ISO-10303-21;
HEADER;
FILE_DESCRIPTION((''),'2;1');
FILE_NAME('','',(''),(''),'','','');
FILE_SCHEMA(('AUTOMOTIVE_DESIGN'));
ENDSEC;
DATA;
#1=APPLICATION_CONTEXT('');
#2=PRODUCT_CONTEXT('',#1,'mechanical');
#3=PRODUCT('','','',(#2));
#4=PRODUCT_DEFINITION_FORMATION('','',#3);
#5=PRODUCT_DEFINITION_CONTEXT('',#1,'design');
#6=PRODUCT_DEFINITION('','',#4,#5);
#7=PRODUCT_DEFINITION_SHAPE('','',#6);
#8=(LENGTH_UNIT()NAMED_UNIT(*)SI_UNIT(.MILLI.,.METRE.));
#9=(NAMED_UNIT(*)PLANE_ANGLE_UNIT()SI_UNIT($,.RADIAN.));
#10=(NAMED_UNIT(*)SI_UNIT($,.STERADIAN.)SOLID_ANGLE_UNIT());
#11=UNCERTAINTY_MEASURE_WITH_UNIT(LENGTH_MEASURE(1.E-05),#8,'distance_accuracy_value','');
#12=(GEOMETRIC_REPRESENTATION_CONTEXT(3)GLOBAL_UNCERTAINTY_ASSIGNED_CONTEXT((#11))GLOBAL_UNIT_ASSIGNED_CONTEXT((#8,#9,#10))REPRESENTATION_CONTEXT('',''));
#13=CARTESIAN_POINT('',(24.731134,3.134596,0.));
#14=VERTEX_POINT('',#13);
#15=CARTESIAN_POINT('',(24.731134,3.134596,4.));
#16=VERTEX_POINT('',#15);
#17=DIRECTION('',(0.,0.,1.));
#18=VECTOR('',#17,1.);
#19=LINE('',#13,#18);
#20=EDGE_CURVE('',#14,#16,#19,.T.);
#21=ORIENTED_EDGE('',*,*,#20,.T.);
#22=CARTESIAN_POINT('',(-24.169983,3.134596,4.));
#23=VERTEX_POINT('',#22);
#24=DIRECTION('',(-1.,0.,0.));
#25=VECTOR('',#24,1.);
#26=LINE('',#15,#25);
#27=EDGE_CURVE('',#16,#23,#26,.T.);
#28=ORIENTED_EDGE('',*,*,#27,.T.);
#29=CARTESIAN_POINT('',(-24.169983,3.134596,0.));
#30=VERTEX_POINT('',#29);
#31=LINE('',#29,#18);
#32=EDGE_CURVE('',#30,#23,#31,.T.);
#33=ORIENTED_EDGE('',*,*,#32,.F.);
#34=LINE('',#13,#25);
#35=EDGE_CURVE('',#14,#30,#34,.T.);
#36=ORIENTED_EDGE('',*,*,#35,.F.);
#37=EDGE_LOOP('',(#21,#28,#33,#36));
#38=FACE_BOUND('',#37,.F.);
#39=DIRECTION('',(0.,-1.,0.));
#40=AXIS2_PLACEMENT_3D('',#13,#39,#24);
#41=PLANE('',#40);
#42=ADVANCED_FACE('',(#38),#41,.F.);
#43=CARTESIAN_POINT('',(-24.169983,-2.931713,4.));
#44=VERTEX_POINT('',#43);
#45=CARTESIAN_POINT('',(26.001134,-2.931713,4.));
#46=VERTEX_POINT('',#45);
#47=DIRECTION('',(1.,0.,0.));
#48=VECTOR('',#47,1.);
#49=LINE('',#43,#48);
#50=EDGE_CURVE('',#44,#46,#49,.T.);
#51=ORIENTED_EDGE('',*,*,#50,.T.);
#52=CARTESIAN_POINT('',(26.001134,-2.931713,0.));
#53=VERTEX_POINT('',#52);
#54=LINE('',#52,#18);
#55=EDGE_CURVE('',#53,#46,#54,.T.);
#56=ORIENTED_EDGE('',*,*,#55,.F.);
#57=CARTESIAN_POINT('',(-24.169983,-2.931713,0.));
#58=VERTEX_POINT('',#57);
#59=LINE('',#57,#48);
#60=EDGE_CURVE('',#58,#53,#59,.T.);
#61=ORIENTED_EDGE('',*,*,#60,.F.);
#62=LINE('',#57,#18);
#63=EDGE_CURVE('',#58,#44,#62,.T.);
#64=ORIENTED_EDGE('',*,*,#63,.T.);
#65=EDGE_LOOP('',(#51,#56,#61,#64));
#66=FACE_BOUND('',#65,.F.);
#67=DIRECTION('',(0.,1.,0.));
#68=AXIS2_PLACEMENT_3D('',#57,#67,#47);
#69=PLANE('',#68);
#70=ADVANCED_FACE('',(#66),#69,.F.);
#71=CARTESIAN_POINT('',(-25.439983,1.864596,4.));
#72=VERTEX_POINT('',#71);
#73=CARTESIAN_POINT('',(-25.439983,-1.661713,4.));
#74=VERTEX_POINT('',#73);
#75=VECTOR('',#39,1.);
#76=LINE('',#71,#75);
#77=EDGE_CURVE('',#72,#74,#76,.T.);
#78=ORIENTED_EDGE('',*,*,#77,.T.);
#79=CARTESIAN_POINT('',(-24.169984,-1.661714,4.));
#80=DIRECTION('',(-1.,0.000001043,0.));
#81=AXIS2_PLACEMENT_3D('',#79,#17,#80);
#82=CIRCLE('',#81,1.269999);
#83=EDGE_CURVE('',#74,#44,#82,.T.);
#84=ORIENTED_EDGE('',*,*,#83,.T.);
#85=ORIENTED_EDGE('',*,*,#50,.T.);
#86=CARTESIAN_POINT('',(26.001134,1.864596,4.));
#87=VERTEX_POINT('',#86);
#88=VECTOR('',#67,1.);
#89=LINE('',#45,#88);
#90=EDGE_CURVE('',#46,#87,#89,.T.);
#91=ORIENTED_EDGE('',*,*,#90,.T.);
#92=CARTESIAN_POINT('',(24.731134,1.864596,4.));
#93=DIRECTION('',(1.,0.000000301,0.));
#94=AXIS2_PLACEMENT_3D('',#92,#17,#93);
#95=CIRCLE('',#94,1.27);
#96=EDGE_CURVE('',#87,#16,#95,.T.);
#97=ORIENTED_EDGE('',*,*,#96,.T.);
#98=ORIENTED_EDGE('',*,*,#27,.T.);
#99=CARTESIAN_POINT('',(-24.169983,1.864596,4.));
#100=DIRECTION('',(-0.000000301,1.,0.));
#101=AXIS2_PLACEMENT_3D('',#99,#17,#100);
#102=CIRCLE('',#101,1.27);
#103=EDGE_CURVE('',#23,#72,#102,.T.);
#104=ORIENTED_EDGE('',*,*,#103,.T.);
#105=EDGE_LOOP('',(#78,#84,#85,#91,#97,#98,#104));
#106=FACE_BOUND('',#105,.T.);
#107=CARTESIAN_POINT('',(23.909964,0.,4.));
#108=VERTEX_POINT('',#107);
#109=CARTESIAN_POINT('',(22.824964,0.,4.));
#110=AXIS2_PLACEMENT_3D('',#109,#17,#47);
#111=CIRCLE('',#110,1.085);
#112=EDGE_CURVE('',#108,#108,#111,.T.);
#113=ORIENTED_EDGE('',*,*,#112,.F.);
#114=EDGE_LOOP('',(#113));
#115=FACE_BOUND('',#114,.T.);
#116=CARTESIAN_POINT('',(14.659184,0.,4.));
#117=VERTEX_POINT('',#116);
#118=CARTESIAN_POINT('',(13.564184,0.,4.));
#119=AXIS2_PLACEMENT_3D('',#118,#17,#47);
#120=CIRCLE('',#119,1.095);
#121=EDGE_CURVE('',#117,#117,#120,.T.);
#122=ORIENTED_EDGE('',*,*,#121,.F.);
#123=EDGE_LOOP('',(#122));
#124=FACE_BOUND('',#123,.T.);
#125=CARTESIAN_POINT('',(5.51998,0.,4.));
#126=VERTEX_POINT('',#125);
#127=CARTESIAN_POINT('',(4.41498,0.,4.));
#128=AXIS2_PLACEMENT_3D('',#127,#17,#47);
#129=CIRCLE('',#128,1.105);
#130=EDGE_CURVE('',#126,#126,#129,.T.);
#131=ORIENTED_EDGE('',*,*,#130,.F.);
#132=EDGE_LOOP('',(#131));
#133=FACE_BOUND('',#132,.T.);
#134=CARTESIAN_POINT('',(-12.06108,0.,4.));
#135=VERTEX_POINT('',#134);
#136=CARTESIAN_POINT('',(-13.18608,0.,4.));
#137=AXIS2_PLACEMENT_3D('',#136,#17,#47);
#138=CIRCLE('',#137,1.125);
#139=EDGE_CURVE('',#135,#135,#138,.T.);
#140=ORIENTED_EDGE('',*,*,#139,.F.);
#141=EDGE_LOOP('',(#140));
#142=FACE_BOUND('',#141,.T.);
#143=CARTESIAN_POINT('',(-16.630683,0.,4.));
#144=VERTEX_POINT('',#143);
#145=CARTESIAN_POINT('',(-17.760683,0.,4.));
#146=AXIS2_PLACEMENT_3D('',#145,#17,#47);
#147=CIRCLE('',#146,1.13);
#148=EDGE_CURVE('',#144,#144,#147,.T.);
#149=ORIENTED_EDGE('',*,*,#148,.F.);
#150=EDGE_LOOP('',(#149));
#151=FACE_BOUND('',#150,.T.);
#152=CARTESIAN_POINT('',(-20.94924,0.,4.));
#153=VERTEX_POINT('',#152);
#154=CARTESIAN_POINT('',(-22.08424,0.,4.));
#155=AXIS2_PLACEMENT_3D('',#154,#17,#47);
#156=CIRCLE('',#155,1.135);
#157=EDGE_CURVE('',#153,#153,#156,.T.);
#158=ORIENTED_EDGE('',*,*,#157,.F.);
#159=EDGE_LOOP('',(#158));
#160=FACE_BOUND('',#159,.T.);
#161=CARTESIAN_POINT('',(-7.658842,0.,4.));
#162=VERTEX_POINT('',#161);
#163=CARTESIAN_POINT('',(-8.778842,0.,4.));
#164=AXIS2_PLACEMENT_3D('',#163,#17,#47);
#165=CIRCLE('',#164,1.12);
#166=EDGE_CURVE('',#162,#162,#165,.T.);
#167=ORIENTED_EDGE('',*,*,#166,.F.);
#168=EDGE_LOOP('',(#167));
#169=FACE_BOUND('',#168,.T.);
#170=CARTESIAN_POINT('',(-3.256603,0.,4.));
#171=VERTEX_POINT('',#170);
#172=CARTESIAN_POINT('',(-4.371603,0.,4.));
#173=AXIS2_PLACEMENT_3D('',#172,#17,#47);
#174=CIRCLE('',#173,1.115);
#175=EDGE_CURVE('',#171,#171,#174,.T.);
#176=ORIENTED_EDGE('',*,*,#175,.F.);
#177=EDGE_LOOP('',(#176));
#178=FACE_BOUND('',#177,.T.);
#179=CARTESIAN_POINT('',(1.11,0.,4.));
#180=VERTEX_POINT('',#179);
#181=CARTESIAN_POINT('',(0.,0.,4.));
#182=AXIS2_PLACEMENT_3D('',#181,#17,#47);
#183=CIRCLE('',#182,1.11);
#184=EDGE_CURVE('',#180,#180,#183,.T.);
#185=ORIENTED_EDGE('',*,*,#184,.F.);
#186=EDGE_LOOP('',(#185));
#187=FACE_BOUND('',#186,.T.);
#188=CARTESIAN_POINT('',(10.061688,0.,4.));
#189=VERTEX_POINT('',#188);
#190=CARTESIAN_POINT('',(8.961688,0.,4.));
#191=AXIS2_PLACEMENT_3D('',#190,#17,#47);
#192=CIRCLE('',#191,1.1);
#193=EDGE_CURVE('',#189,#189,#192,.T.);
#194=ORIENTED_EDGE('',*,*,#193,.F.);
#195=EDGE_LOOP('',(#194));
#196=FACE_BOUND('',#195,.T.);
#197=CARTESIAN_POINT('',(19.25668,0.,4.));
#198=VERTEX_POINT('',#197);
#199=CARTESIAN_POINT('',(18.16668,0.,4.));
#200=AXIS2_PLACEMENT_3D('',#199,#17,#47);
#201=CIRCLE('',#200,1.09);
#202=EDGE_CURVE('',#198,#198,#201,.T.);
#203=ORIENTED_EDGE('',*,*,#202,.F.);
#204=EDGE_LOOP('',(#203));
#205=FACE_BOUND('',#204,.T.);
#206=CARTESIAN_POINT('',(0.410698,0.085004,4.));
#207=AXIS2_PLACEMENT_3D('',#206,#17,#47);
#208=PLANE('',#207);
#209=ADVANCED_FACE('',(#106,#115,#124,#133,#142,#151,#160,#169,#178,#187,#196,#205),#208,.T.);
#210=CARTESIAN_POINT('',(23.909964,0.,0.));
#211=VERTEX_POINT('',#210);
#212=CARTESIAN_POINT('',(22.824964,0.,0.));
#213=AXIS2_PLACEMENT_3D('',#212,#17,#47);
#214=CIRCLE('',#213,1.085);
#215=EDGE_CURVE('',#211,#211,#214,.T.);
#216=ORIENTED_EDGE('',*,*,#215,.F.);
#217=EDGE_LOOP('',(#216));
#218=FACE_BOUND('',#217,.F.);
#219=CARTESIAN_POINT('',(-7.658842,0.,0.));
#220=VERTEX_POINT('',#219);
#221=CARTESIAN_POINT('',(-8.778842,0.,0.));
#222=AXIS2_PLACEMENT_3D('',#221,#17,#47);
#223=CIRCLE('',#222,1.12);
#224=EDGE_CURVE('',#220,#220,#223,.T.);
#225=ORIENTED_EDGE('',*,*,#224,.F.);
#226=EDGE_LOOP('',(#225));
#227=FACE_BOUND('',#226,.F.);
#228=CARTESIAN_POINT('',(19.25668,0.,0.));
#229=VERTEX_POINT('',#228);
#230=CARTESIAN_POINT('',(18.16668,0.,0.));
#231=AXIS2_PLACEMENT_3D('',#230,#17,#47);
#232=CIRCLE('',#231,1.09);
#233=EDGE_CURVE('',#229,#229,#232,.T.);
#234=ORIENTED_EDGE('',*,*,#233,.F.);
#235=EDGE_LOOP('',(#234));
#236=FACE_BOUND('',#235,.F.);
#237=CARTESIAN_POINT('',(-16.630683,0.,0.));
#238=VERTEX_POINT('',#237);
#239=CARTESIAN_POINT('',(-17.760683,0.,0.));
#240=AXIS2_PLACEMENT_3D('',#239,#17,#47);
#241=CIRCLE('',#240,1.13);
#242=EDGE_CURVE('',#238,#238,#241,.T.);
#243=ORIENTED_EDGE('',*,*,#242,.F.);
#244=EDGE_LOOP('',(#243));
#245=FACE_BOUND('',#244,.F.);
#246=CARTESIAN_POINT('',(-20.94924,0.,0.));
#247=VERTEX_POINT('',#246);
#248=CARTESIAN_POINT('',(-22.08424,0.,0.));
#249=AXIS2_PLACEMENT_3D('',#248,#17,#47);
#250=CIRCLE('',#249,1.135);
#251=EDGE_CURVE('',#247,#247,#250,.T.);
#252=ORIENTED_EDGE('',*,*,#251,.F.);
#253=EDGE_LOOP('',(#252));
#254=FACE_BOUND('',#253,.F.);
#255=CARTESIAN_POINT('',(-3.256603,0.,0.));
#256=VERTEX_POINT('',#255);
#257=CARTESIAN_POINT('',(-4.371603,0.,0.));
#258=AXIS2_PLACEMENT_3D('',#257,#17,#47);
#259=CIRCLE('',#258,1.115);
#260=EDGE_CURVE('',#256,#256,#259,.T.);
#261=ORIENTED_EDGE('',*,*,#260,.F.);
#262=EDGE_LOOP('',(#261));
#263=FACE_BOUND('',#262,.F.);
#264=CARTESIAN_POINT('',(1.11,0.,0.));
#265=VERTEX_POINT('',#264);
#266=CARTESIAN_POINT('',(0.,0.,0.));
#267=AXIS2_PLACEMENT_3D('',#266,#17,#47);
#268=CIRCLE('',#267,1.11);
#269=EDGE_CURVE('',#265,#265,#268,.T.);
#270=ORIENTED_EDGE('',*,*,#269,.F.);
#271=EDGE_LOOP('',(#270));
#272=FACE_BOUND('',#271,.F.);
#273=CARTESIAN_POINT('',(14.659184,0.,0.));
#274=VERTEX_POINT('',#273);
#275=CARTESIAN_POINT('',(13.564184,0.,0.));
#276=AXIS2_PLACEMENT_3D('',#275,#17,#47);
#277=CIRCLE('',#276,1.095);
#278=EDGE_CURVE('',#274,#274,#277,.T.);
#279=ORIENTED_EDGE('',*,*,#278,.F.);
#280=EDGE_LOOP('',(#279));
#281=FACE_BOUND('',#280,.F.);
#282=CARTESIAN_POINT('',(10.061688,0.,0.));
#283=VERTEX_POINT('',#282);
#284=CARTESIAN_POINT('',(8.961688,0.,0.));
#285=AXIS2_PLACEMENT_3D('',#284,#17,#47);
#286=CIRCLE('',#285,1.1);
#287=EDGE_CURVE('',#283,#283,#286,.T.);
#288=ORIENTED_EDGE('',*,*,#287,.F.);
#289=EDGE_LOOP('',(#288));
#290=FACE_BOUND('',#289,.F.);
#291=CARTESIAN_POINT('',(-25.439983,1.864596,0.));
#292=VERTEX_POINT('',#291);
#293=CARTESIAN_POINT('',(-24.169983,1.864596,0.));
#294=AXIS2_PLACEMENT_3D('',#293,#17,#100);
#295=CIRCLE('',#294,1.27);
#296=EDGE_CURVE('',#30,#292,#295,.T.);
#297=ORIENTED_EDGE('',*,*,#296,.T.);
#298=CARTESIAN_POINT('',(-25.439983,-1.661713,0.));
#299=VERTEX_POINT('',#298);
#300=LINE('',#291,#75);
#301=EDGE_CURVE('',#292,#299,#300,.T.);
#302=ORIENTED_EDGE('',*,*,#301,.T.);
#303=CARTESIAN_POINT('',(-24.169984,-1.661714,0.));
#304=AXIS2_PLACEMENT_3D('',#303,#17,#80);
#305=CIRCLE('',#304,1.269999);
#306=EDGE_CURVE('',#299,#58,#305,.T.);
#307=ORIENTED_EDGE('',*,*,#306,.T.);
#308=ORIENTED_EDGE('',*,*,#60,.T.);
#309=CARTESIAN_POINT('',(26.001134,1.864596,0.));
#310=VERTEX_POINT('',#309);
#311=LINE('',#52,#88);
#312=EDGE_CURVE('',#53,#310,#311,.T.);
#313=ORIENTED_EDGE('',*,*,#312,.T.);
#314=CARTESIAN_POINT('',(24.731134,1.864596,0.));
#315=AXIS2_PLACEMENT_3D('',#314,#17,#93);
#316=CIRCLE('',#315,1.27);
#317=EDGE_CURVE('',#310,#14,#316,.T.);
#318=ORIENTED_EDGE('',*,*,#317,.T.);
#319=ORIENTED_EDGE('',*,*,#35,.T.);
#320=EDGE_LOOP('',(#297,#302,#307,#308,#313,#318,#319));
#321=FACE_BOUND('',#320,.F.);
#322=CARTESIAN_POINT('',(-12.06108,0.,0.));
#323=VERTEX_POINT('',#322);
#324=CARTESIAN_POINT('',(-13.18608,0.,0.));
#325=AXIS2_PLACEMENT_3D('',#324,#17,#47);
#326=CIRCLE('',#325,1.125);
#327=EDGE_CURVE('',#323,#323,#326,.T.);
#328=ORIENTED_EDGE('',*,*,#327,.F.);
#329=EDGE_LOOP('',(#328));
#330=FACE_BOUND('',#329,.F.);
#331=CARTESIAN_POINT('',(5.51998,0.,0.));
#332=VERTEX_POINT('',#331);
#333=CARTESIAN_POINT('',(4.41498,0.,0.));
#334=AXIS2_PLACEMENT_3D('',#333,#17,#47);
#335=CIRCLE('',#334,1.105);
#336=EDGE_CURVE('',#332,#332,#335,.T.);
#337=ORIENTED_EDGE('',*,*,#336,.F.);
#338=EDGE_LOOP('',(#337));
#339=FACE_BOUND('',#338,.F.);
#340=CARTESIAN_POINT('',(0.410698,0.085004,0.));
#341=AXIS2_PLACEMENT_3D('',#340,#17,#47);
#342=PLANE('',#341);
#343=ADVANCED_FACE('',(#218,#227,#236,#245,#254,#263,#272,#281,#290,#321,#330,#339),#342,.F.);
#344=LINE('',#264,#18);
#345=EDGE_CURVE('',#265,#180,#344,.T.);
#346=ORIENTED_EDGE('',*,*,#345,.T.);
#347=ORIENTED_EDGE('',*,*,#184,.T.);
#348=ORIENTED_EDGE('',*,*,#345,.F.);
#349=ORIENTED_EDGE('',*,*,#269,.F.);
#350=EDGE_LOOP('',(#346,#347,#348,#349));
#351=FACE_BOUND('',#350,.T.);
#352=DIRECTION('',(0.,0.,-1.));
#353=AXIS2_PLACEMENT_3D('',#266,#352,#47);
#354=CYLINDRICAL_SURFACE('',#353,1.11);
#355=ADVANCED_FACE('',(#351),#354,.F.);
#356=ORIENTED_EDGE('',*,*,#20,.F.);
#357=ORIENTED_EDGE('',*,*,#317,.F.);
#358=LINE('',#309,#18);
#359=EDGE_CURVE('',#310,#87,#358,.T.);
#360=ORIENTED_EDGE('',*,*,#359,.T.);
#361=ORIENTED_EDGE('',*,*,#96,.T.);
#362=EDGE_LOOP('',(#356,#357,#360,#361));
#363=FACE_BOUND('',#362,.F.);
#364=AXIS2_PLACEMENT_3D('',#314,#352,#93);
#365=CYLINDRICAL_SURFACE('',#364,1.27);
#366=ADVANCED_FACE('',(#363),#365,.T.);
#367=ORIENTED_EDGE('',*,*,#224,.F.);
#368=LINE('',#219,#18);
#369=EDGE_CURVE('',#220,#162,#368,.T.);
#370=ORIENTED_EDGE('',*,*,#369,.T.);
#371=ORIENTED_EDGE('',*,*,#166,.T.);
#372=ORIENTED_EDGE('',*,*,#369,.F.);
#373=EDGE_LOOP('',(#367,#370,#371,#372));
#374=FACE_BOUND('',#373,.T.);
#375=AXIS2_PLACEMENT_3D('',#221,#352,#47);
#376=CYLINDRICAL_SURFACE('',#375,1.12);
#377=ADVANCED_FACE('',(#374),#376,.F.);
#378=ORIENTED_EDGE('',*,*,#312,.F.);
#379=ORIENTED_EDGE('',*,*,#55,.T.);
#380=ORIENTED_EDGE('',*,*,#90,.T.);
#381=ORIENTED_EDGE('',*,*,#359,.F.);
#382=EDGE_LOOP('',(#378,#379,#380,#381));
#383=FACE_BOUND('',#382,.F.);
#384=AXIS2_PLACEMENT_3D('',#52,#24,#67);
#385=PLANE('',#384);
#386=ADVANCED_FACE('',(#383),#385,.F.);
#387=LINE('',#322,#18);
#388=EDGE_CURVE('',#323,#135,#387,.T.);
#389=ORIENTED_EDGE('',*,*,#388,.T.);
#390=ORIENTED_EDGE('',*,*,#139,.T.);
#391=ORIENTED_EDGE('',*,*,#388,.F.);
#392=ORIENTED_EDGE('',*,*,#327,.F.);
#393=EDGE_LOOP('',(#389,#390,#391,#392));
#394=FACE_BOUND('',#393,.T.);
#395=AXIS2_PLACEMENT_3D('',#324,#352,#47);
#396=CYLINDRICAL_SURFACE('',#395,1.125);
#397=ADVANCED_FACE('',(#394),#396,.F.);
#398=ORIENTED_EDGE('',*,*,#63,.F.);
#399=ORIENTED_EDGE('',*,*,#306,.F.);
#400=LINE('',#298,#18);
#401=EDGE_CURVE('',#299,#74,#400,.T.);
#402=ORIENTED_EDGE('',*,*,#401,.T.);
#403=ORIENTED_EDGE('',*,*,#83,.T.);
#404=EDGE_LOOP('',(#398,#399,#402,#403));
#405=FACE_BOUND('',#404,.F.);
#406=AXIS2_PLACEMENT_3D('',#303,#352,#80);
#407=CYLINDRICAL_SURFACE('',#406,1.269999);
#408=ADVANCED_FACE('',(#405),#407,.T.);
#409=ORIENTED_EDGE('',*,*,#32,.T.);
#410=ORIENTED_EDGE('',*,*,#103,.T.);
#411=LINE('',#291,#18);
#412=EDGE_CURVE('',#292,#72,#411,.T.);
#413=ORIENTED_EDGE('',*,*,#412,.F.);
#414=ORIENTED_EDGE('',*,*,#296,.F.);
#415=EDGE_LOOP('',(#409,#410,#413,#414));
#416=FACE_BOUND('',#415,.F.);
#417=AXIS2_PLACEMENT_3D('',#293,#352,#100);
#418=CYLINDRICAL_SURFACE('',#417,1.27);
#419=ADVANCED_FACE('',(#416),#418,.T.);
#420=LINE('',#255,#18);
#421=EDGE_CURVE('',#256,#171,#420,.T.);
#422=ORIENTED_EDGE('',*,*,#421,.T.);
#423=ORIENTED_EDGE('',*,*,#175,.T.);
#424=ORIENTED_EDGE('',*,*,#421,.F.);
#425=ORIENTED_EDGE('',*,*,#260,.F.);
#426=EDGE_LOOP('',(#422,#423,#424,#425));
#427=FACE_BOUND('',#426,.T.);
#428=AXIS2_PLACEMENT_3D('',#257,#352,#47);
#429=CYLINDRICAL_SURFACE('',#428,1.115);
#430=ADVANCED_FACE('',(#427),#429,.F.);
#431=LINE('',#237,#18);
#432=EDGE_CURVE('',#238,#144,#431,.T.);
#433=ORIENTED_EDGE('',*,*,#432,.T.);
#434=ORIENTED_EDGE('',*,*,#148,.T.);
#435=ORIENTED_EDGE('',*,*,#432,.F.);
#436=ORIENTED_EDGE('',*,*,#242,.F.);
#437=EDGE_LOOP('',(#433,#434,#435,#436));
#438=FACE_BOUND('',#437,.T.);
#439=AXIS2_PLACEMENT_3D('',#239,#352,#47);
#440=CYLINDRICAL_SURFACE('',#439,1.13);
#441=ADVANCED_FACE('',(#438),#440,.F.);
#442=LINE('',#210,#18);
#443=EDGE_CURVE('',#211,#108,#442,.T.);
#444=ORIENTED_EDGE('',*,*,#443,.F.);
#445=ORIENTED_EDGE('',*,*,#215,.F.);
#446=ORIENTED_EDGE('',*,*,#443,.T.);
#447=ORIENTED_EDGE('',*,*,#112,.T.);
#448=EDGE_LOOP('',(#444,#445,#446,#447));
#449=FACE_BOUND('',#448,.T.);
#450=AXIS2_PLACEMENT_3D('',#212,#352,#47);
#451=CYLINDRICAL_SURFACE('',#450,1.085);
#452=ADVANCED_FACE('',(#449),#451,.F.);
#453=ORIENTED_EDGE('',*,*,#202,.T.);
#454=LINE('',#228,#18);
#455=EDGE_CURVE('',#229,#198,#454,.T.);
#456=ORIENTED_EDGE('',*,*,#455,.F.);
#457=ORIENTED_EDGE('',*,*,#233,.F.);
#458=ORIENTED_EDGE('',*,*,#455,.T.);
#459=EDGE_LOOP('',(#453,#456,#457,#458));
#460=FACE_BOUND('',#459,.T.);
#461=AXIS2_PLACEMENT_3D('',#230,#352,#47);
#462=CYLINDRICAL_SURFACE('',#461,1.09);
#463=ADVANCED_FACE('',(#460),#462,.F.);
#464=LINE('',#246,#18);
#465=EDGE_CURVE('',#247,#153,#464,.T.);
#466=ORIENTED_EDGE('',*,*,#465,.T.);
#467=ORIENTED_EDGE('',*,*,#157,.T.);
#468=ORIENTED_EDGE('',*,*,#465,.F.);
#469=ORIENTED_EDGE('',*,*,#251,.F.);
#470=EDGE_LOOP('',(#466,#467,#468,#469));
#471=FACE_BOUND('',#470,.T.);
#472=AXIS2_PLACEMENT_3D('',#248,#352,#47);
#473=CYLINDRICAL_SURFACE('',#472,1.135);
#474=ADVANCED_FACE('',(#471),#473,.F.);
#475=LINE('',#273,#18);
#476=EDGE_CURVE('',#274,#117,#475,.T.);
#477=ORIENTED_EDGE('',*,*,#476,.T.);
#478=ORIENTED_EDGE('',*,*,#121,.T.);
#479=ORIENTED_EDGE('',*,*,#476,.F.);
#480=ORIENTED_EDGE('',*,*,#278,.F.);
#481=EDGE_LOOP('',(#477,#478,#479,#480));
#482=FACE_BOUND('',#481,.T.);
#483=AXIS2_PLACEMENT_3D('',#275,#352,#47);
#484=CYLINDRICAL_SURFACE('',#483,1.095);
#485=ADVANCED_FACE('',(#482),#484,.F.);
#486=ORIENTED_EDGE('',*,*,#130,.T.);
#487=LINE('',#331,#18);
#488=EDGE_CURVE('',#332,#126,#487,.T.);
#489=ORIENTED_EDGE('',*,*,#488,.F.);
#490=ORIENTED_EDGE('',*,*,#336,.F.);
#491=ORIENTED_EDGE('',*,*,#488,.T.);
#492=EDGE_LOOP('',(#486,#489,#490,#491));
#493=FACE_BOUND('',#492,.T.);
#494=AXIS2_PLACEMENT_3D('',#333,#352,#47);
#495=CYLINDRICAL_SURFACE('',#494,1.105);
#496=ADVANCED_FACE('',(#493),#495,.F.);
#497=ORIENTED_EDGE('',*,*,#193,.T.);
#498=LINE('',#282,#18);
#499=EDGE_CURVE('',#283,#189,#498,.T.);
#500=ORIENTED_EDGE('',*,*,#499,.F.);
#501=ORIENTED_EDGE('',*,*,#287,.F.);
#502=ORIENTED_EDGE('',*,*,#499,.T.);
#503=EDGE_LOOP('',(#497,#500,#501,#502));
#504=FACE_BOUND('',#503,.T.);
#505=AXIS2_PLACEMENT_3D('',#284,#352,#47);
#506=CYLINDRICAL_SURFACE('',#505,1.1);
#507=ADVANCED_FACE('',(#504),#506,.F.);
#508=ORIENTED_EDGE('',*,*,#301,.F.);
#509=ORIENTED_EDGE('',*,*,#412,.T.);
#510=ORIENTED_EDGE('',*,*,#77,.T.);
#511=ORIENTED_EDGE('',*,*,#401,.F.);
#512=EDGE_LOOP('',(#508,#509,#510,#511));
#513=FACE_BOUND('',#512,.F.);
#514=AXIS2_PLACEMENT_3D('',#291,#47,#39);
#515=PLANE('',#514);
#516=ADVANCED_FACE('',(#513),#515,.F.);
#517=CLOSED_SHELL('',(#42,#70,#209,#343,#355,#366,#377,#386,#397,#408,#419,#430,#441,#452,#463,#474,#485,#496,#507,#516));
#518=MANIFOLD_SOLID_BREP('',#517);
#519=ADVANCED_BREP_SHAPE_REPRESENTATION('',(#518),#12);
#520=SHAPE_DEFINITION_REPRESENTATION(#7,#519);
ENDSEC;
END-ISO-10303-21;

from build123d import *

# Parameters (mm, degrees)
F0_R     = 1.135
F0_R_2   = 1.13
F0_R_3   = 1.125
F0_R_4   = 1.12
F0_R_5   = 1.115
F0_R_6   = 1.11
F0_R_7   = 1.105
F0_R_8   = 1.1
F0_R_9   = 1.095
F0_R_10  = 1.09
F0_R_11  = 1.085
F1_DEPTH = 4


with BuildPart() as f1:
    # F0 (on Top) → F1 (new body)
    with BuildSketch(Plane.XY):
        with BuildLine():
            Line((24.731134, 3.134596), (-24.169983, 3.134596))
            ThreePointArc((-24.169983, 3.134596), (-25.068009, 2.762621), (-25.439983, 1.864596))
            Line((-25.439983, 1.864596), (-25.439983, -1.661713))
            ThreePointArc((-25.439983, -1.661713), (-25.068009, -2.559739), (-24.169983, -2.931713))
            Line((-24.169983, -2.931713), (26.001134, -2.931713))
            Line((26.001134, -2.931713), (26.001134, 1.864596))
            ThreePointArc((26.001134, 1.864596), (25.62916, 2.762621), (24.731134, 3.134596))
        make_face()
        with Locations((-22.08424, 0)):
            Circle(F0_R, mode=Mode.SUBTRACT)
        with Locations((-17.760683, 0)):
            Circle(F0_R_2, mode=Mode.SUBTRACT)
        with Locations((-13.18608, 0)):
            Circle(F0_R_3, mode=Mode.SUBTRACT)
        with Locations((-8.778842, 0)):
            Circle(F0_R_4, mode=Mode.SUBTRACT)
        with Locations((-4.371603, 0)):
            Circle(F0_R_5, mode=Mode.SUBTRACT)
        Circle(F0_R_6, mode=Mode.SUBTRACT)
        with Locations((4.41498, 0)):
            Circle(F0_R_7, mode=Mode.SUBTRACT)
        with Locations((8.961688, 0)):
            Circle(F0_R_8, mode=Mode.SUBTRACT)
        with Locations((13.564184, 0)):
            Circle(F0_R_9, mode=Mode.SUBTRACT)
        with Locations((18.16668, 0)):
            Circle(F0_R_10, mode=Mode.SUBTRACT)
        with Locations((22.824964, 0)):
            Circle(F0_R_11, mode=Mode.SUBTRACT)
    extrude(amount=F1_DEPTH)


solid = f1.part
